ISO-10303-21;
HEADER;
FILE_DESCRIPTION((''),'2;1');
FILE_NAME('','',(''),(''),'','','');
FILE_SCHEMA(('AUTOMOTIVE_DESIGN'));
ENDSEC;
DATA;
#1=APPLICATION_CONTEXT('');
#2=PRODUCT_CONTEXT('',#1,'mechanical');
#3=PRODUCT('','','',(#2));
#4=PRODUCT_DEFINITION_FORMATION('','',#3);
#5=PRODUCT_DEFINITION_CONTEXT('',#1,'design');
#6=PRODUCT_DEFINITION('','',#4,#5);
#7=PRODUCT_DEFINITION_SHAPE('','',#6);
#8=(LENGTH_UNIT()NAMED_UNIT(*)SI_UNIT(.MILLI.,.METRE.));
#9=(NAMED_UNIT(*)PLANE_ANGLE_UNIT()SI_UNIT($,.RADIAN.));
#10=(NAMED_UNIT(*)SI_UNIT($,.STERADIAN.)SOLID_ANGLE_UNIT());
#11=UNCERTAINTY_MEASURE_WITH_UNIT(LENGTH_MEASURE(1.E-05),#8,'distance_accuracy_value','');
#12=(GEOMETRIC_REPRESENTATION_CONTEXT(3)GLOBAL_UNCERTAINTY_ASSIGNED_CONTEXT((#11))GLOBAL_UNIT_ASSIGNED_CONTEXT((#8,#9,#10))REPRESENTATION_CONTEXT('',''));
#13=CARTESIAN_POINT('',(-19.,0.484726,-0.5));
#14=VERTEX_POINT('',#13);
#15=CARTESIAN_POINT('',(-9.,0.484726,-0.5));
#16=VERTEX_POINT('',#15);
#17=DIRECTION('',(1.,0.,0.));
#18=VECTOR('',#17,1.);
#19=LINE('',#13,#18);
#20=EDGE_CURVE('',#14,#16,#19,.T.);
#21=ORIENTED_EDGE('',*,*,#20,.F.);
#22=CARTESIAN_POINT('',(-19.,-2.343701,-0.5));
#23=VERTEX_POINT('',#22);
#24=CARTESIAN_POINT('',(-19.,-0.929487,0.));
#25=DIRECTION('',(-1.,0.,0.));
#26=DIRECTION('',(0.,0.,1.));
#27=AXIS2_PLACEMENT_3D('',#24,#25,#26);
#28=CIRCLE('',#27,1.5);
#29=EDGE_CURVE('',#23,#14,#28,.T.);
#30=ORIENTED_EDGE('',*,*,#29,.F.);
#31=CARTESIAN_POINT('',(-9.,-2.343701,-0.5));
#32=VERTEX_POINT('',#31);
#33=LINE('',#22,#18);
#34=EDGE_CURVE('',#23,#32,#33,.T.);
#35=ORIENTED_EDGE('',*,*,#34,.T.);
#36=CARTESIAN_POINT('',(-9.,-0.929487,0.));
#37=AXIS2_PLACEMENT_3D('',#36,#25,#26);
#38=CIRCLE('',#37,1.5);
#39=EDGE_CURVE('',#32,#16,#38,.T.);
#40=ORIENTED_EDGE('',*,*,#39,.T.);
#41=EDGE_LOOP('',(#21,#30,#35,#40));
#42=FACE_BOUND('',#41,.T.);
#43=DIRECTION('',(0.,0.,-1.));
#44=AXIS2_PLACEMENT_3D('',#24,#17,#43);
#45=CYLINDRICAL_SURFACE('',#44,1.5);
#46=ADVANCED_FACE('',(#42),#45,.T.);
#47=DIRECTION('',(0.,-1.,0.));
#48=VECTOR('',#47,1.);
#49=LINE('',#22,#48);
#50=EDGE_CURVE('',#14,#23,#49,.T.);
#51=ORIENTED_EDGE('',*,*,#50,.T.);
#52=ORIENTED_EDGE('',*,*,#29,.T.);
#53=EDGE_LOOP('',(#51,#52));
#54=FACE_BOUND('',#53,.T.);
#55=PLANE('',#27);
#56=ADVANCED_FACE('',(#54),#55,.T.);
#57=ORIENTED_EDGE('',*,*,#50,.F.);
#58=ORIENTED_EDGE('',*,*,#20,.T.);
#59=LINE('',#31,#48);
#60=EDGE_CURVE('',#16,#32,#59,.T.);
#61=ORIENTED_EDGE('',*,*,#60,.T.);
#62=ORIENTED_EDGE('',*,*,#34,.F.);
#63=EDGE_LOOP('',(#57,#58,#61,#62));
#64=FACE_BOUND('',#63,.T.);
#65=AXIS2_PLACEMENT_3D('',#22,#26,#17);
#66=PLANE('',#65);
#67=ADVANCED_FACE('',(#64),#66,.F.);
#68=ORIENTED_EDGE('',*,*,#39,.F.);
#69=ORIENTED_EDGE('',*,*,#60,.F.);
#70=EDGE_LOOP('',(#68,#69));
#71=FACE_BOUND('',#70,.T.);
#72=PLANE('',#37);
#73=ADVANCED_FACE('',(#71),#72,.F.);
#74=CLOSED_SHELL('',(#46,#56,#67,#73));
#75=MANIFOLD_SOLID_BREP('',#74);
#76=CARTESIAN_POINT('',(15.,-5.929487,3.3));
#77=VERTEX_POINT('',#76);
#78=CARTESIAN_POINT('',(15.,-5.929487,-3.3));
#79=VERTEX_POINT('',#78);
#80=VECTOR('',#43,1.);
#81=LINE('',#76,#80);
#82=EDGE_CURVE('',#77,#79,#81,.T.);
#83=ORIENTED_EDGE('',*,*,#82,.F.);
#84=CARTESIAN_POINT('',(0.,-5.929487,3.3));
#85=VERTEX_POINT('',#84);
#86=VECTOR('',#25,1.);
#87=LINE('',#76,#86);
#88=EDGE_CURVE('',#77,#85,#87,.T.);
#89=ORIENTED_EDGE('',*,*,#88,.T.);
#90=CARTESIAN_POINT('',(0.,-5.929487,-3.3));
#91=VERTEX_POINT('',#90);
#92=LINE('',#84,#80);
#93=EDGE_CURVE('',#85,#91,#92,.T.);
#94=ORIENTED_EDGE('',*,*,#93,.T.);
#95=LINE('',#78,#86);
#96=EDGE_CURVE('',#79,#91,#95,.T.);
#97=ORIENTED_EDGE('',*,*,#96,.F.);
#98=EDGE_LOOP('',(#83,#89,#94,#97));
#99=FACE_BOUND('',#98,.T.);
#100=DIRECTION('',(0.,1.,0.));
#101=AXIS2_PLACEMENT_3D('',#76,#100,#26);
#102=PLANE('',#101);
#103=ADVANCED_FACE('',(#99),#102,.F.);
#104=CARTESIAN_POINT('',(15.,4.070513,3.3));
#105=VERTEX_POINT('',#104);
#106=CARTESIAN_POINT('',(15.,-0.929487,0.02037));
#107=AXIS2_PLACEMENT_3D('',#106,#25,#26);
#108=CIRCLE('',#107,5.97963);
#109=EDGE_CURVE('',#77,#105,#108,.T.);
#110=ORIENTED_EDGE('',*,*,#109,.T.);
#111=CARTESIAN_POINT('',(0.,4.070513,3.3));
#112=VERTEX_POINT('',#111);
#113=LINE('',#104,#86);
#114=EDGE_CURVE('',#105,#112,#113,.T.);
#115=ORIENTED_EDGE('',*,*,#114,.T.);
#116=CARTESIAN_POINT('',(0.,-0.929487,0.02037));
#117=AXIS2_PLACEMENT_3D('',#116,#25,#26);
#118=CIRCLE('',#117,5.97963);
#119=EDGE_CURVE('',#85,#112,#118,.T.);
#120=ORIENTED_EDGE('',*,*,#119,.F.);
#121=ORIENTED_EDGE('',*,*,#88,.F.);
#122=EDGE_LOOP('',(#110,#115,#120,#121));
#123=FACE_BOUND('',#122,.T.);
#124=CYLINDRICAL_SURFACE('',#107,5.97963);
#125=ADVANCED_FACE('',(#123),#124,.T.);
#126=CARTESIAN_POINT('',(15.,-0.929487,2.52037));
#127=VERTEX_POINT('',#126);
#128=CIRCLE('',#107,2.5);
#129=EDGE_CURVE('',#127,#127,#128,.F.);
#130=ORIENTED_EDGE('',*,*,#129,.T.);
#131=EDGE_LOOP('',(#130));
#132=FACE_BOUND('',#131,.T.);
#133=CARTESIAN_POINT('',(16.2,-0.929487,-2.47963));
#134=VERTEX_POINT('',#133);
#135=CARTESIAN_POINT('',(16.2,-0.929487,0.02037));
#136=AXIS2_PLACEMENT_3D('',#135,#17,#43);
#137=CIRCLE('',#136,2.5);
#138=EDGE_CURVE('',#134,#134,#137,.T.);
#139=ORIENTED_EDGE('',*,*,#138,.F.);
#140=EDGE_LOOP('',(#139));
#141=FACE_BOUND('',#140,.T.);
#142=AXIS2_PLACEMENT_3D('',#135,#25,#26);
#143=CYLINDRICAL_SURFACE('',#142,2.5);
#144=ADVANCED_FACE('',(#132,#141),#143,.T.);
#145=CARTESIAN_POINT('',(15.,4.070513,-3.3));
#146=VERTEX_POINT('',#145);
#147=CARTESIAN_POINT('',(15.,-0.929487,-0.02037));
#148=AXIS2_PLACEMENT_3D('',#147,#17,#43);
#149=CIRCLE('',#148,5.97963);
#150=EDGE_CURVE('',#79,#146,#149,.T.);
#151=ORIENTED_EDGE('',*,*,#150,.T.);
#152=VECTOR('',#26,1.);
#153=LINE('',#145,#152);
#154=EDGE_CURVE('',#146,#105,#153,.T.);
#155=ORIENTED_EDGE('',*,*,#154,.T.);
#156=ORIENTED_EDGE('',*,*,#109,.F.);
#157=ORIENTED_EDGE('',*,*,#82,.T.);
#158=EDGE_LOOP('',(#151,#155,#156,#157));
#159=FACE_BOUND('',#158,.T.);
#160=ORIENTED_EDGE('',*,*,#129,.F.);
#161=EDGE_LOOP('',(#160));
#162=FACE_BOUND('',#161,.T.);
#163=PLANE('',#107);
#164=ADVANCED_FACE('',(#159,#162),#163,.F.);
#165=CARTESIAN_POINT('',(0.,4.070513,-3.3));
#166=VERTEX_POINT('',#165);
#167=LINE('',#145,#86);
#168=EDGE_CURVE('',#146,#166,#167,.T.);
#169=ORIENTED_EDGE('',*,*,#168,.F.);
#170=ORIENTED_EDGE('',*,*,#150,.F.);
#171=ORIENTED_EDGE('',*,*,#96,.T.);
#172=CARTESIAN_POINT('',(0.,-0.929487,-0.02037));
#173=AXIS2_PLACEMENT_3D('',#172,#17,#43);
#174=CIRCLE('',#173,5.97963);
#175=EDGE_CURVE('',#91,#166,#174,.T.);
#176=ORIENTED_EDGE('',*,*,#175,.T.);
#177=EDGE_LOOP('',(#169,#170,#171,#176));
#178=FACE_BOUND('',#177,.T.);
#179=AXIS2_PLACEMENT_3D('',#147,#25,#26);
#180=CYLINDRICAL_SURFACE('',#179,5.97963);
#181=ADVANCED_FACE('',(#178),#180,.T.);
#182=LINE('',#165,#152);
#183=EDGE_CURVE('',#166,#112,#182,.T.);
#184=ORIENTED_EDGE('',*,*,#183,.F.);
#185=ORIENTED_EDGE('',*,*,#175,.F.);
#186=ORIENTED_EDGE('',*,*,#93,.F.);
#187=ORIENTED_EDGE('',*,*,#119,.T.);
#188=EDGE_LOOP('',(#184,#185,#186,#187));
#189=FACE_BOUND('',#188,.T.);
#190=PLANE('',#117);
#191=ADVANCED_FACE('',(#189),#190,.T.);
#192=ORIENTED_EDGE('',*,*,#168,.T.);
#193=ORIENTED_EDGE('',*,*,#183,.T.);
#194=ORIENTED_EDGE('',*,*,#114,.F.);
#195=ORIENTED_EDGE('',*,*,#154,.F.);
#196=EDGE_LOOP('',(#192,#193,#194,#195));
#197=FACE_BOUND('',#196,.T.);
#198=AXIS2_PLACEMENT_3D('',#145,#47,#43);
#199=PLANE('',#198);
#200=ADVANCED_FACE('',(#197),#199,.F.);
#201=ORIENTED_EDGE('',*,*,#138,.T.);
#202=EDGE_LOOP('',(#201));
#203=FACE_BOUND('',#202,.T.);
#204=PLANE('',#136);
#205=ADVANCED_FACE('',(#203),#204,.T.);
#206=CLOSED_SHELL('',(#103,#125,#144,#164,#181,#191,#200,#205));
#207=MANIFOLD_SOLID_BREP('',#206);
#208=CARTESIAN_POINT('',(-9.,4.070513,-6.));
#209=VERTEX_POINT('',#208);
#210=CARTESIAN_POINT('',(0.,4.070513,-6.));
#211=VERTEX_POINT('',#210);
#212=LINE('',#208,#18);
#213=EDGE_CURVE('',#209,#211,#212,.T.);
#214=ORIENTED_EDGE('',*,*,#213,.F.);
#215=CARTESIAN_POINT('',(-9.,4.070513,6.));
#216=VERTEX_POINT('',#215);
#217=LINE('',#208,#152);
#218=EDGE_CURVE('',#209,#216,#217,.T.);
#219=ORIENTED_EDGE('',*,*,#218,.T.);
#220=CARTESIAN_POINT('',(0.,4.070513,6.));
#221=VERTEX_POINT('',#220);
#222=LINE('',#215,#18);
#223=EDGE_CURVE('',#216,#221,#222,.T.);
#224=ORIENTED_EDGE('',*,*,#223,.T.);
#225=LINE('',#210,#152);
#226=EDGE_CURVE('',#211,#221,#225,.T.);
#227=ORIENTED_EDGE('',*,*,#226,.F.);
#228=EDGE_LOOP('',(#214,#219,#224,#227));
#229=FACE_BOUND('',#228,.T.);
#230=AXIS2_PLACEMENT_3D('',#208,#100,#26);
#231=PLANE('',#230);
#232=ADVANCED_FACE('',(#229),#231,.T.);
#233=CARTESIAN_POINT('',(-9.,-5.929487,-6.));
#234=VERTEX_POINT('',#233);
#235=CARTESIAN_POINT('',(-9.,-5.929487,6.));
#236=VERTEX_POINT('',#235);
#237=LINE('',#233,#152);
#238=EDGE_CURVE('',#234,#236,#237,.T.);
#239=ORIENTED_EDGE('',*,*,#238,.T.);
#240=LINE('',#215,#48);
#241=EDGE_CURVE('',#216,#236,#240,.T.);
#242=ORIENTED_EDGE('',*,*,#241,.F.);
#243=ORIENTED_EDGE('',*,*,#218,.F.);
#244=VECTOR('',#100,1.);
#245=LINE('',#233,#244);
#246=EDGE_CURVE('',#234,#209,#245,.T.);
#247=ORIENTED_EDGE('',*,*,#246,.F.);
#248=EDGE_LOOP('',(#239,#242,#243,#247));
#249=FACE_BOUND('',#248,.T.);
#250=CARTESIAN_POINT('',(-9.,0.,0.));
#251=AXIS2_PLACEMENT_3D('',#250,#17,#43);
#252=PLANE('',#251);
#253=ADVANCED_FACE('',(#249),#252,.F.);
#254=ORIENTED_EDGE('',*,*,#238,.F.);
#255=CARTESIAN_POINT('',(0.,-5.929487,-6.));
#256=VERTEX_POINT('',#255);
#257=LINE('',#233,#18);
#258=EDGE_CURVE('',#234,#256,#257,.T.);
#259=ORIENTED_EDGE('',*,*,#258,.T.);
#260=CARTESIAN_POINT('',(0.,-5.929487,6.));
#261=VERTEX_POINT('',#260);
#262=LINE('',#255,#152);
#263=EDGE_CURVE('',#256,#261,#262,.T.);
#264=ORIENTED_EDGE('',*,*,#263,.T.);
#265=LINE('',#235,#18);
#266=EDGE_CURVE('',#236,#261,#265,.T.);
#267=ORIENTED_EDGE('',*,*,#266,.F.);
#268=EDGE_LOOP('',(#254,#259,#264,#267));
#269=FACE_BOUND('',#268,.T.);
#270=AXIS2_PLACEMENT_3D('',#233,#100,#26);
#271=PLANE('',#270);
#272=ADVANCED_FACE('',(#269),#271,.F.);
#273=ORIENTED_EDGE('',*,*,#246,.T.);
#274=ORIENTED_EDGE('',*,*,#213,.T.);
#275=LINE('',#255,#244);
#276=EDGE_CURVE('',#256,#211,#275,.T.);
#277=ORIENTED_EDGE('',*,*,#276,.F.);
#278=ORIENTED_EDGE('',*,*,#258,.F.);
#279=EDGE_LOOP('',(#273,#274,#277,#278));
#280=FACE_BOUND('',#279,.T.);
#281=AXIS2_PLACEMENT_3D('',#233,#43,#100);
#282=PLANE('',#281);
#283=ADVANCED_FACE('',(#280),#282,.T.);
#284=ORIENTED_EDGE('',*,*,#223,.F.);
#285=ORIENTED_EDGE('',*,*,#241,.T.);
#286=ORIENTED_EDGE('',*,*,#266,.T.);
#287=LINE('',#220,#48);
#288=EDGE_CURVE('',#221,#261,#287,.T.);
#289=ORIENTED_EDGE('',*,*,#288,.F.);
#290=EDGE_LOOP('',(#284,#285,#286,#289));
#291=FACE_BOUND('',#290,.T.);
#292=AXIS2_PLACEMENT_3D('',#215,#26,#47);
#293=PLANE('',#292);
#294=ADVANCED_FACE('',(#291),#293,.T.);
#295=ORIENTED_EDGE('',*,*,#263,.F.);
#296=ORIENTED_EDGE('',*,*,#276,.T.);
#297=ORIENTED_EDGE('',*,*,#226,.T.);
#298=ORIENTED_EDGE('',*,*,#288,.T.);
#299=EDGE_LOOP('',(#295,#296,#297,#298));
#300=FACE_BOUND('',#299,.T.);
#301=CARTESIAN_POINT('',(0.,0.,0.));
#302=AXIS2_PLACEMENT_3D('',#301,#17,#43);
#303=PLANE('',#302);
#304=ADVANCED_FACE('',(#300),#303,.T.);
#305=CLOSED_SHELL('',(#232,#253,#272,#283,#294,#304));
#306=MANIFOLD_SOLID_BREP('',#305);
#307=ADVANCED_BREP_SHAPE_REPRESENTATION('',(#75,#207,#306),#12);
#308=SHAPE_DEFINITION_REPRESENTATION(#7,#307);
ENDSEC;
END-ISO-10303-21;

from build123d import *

# Parameters (mm, degrees)
BOSS_EXTRUDE1_DEPTH = 15
SKETCH3_W           = 12
SKETCH3_H           = 10
BOSS_EXTRUDE2_DEPTH = 9
BOSS_EXTRUDE3_DEPTH = 10
SKETCH6_R           = 2.5
BOSS_EXTRUDE4_DEPTH = 1.2


with BuildPart() as part:
    # Sketch1 → Boss-Extrude1 (new body)
    with BuildSketch(Plane(origin=(0, 0, 0), x_dir=(0, 0, -1), z_dir=(1, 0, 0))):
        with BuildLine():
            Line((3.3, 4.070512821), (-3.3, 4.070512821))
            ThreePointArc((-3.3, 4.070512821), (-6, -0.929487179), (-3.3, -5.929487179))
            Line((-3.3, -5.929487179), (3.3, -5.929487179))
            ThreePointArc((3.3, -5.929487179), (6, -0.929487179), (3.3, 4.070512821))
        make_face()
    extrude(amount=BOSS_EXTRUDE1_DEPTH)

    # Sketch6 → Boss-Extrude4 (add)
    with BuildSketch(Plane(origin=(15, 0, 0), x_dir=(0, 0, -1), z_dir=(1, 0, 0))):
        with Locations(Location((-0.02037037, -0.929487179, 0), (0, 0, 180))):
            Circle(SKETCH6_R)
    extrude(amount=BOSS_EXTRUDE4_DEPTH)


with BuildPart() as body_2:
    # Sketch3 → Boss-Extrude2 (new body)
    with BuildSketch(Plane.ZY):
        with Locations((0, -0.929487179)):
            Rectangle(SKETCH3_W, SKETCH3_H)
    extrude(amount=BOSS_EXTRUDE2_DEPTH)


with BuildPart() as body_3:
    # Sketch4 → Boss-Extrude3 (new body)
    with BuildSketch(Plane.ZY.offset(9)):
        with BuildLine():
            Line((-0.5, -2.343700742), (-0.5, 0.484726383))
            ThreePointArc((-0.5, 0.484726383), (1.5, -0.929487179), (-0.5, -2.343700742))
        make_face()
    extrude(amount=BOSS_EXTRUDE3_DEPTH)


solid = Compound([part.part, body_2.part, body_3.part])
